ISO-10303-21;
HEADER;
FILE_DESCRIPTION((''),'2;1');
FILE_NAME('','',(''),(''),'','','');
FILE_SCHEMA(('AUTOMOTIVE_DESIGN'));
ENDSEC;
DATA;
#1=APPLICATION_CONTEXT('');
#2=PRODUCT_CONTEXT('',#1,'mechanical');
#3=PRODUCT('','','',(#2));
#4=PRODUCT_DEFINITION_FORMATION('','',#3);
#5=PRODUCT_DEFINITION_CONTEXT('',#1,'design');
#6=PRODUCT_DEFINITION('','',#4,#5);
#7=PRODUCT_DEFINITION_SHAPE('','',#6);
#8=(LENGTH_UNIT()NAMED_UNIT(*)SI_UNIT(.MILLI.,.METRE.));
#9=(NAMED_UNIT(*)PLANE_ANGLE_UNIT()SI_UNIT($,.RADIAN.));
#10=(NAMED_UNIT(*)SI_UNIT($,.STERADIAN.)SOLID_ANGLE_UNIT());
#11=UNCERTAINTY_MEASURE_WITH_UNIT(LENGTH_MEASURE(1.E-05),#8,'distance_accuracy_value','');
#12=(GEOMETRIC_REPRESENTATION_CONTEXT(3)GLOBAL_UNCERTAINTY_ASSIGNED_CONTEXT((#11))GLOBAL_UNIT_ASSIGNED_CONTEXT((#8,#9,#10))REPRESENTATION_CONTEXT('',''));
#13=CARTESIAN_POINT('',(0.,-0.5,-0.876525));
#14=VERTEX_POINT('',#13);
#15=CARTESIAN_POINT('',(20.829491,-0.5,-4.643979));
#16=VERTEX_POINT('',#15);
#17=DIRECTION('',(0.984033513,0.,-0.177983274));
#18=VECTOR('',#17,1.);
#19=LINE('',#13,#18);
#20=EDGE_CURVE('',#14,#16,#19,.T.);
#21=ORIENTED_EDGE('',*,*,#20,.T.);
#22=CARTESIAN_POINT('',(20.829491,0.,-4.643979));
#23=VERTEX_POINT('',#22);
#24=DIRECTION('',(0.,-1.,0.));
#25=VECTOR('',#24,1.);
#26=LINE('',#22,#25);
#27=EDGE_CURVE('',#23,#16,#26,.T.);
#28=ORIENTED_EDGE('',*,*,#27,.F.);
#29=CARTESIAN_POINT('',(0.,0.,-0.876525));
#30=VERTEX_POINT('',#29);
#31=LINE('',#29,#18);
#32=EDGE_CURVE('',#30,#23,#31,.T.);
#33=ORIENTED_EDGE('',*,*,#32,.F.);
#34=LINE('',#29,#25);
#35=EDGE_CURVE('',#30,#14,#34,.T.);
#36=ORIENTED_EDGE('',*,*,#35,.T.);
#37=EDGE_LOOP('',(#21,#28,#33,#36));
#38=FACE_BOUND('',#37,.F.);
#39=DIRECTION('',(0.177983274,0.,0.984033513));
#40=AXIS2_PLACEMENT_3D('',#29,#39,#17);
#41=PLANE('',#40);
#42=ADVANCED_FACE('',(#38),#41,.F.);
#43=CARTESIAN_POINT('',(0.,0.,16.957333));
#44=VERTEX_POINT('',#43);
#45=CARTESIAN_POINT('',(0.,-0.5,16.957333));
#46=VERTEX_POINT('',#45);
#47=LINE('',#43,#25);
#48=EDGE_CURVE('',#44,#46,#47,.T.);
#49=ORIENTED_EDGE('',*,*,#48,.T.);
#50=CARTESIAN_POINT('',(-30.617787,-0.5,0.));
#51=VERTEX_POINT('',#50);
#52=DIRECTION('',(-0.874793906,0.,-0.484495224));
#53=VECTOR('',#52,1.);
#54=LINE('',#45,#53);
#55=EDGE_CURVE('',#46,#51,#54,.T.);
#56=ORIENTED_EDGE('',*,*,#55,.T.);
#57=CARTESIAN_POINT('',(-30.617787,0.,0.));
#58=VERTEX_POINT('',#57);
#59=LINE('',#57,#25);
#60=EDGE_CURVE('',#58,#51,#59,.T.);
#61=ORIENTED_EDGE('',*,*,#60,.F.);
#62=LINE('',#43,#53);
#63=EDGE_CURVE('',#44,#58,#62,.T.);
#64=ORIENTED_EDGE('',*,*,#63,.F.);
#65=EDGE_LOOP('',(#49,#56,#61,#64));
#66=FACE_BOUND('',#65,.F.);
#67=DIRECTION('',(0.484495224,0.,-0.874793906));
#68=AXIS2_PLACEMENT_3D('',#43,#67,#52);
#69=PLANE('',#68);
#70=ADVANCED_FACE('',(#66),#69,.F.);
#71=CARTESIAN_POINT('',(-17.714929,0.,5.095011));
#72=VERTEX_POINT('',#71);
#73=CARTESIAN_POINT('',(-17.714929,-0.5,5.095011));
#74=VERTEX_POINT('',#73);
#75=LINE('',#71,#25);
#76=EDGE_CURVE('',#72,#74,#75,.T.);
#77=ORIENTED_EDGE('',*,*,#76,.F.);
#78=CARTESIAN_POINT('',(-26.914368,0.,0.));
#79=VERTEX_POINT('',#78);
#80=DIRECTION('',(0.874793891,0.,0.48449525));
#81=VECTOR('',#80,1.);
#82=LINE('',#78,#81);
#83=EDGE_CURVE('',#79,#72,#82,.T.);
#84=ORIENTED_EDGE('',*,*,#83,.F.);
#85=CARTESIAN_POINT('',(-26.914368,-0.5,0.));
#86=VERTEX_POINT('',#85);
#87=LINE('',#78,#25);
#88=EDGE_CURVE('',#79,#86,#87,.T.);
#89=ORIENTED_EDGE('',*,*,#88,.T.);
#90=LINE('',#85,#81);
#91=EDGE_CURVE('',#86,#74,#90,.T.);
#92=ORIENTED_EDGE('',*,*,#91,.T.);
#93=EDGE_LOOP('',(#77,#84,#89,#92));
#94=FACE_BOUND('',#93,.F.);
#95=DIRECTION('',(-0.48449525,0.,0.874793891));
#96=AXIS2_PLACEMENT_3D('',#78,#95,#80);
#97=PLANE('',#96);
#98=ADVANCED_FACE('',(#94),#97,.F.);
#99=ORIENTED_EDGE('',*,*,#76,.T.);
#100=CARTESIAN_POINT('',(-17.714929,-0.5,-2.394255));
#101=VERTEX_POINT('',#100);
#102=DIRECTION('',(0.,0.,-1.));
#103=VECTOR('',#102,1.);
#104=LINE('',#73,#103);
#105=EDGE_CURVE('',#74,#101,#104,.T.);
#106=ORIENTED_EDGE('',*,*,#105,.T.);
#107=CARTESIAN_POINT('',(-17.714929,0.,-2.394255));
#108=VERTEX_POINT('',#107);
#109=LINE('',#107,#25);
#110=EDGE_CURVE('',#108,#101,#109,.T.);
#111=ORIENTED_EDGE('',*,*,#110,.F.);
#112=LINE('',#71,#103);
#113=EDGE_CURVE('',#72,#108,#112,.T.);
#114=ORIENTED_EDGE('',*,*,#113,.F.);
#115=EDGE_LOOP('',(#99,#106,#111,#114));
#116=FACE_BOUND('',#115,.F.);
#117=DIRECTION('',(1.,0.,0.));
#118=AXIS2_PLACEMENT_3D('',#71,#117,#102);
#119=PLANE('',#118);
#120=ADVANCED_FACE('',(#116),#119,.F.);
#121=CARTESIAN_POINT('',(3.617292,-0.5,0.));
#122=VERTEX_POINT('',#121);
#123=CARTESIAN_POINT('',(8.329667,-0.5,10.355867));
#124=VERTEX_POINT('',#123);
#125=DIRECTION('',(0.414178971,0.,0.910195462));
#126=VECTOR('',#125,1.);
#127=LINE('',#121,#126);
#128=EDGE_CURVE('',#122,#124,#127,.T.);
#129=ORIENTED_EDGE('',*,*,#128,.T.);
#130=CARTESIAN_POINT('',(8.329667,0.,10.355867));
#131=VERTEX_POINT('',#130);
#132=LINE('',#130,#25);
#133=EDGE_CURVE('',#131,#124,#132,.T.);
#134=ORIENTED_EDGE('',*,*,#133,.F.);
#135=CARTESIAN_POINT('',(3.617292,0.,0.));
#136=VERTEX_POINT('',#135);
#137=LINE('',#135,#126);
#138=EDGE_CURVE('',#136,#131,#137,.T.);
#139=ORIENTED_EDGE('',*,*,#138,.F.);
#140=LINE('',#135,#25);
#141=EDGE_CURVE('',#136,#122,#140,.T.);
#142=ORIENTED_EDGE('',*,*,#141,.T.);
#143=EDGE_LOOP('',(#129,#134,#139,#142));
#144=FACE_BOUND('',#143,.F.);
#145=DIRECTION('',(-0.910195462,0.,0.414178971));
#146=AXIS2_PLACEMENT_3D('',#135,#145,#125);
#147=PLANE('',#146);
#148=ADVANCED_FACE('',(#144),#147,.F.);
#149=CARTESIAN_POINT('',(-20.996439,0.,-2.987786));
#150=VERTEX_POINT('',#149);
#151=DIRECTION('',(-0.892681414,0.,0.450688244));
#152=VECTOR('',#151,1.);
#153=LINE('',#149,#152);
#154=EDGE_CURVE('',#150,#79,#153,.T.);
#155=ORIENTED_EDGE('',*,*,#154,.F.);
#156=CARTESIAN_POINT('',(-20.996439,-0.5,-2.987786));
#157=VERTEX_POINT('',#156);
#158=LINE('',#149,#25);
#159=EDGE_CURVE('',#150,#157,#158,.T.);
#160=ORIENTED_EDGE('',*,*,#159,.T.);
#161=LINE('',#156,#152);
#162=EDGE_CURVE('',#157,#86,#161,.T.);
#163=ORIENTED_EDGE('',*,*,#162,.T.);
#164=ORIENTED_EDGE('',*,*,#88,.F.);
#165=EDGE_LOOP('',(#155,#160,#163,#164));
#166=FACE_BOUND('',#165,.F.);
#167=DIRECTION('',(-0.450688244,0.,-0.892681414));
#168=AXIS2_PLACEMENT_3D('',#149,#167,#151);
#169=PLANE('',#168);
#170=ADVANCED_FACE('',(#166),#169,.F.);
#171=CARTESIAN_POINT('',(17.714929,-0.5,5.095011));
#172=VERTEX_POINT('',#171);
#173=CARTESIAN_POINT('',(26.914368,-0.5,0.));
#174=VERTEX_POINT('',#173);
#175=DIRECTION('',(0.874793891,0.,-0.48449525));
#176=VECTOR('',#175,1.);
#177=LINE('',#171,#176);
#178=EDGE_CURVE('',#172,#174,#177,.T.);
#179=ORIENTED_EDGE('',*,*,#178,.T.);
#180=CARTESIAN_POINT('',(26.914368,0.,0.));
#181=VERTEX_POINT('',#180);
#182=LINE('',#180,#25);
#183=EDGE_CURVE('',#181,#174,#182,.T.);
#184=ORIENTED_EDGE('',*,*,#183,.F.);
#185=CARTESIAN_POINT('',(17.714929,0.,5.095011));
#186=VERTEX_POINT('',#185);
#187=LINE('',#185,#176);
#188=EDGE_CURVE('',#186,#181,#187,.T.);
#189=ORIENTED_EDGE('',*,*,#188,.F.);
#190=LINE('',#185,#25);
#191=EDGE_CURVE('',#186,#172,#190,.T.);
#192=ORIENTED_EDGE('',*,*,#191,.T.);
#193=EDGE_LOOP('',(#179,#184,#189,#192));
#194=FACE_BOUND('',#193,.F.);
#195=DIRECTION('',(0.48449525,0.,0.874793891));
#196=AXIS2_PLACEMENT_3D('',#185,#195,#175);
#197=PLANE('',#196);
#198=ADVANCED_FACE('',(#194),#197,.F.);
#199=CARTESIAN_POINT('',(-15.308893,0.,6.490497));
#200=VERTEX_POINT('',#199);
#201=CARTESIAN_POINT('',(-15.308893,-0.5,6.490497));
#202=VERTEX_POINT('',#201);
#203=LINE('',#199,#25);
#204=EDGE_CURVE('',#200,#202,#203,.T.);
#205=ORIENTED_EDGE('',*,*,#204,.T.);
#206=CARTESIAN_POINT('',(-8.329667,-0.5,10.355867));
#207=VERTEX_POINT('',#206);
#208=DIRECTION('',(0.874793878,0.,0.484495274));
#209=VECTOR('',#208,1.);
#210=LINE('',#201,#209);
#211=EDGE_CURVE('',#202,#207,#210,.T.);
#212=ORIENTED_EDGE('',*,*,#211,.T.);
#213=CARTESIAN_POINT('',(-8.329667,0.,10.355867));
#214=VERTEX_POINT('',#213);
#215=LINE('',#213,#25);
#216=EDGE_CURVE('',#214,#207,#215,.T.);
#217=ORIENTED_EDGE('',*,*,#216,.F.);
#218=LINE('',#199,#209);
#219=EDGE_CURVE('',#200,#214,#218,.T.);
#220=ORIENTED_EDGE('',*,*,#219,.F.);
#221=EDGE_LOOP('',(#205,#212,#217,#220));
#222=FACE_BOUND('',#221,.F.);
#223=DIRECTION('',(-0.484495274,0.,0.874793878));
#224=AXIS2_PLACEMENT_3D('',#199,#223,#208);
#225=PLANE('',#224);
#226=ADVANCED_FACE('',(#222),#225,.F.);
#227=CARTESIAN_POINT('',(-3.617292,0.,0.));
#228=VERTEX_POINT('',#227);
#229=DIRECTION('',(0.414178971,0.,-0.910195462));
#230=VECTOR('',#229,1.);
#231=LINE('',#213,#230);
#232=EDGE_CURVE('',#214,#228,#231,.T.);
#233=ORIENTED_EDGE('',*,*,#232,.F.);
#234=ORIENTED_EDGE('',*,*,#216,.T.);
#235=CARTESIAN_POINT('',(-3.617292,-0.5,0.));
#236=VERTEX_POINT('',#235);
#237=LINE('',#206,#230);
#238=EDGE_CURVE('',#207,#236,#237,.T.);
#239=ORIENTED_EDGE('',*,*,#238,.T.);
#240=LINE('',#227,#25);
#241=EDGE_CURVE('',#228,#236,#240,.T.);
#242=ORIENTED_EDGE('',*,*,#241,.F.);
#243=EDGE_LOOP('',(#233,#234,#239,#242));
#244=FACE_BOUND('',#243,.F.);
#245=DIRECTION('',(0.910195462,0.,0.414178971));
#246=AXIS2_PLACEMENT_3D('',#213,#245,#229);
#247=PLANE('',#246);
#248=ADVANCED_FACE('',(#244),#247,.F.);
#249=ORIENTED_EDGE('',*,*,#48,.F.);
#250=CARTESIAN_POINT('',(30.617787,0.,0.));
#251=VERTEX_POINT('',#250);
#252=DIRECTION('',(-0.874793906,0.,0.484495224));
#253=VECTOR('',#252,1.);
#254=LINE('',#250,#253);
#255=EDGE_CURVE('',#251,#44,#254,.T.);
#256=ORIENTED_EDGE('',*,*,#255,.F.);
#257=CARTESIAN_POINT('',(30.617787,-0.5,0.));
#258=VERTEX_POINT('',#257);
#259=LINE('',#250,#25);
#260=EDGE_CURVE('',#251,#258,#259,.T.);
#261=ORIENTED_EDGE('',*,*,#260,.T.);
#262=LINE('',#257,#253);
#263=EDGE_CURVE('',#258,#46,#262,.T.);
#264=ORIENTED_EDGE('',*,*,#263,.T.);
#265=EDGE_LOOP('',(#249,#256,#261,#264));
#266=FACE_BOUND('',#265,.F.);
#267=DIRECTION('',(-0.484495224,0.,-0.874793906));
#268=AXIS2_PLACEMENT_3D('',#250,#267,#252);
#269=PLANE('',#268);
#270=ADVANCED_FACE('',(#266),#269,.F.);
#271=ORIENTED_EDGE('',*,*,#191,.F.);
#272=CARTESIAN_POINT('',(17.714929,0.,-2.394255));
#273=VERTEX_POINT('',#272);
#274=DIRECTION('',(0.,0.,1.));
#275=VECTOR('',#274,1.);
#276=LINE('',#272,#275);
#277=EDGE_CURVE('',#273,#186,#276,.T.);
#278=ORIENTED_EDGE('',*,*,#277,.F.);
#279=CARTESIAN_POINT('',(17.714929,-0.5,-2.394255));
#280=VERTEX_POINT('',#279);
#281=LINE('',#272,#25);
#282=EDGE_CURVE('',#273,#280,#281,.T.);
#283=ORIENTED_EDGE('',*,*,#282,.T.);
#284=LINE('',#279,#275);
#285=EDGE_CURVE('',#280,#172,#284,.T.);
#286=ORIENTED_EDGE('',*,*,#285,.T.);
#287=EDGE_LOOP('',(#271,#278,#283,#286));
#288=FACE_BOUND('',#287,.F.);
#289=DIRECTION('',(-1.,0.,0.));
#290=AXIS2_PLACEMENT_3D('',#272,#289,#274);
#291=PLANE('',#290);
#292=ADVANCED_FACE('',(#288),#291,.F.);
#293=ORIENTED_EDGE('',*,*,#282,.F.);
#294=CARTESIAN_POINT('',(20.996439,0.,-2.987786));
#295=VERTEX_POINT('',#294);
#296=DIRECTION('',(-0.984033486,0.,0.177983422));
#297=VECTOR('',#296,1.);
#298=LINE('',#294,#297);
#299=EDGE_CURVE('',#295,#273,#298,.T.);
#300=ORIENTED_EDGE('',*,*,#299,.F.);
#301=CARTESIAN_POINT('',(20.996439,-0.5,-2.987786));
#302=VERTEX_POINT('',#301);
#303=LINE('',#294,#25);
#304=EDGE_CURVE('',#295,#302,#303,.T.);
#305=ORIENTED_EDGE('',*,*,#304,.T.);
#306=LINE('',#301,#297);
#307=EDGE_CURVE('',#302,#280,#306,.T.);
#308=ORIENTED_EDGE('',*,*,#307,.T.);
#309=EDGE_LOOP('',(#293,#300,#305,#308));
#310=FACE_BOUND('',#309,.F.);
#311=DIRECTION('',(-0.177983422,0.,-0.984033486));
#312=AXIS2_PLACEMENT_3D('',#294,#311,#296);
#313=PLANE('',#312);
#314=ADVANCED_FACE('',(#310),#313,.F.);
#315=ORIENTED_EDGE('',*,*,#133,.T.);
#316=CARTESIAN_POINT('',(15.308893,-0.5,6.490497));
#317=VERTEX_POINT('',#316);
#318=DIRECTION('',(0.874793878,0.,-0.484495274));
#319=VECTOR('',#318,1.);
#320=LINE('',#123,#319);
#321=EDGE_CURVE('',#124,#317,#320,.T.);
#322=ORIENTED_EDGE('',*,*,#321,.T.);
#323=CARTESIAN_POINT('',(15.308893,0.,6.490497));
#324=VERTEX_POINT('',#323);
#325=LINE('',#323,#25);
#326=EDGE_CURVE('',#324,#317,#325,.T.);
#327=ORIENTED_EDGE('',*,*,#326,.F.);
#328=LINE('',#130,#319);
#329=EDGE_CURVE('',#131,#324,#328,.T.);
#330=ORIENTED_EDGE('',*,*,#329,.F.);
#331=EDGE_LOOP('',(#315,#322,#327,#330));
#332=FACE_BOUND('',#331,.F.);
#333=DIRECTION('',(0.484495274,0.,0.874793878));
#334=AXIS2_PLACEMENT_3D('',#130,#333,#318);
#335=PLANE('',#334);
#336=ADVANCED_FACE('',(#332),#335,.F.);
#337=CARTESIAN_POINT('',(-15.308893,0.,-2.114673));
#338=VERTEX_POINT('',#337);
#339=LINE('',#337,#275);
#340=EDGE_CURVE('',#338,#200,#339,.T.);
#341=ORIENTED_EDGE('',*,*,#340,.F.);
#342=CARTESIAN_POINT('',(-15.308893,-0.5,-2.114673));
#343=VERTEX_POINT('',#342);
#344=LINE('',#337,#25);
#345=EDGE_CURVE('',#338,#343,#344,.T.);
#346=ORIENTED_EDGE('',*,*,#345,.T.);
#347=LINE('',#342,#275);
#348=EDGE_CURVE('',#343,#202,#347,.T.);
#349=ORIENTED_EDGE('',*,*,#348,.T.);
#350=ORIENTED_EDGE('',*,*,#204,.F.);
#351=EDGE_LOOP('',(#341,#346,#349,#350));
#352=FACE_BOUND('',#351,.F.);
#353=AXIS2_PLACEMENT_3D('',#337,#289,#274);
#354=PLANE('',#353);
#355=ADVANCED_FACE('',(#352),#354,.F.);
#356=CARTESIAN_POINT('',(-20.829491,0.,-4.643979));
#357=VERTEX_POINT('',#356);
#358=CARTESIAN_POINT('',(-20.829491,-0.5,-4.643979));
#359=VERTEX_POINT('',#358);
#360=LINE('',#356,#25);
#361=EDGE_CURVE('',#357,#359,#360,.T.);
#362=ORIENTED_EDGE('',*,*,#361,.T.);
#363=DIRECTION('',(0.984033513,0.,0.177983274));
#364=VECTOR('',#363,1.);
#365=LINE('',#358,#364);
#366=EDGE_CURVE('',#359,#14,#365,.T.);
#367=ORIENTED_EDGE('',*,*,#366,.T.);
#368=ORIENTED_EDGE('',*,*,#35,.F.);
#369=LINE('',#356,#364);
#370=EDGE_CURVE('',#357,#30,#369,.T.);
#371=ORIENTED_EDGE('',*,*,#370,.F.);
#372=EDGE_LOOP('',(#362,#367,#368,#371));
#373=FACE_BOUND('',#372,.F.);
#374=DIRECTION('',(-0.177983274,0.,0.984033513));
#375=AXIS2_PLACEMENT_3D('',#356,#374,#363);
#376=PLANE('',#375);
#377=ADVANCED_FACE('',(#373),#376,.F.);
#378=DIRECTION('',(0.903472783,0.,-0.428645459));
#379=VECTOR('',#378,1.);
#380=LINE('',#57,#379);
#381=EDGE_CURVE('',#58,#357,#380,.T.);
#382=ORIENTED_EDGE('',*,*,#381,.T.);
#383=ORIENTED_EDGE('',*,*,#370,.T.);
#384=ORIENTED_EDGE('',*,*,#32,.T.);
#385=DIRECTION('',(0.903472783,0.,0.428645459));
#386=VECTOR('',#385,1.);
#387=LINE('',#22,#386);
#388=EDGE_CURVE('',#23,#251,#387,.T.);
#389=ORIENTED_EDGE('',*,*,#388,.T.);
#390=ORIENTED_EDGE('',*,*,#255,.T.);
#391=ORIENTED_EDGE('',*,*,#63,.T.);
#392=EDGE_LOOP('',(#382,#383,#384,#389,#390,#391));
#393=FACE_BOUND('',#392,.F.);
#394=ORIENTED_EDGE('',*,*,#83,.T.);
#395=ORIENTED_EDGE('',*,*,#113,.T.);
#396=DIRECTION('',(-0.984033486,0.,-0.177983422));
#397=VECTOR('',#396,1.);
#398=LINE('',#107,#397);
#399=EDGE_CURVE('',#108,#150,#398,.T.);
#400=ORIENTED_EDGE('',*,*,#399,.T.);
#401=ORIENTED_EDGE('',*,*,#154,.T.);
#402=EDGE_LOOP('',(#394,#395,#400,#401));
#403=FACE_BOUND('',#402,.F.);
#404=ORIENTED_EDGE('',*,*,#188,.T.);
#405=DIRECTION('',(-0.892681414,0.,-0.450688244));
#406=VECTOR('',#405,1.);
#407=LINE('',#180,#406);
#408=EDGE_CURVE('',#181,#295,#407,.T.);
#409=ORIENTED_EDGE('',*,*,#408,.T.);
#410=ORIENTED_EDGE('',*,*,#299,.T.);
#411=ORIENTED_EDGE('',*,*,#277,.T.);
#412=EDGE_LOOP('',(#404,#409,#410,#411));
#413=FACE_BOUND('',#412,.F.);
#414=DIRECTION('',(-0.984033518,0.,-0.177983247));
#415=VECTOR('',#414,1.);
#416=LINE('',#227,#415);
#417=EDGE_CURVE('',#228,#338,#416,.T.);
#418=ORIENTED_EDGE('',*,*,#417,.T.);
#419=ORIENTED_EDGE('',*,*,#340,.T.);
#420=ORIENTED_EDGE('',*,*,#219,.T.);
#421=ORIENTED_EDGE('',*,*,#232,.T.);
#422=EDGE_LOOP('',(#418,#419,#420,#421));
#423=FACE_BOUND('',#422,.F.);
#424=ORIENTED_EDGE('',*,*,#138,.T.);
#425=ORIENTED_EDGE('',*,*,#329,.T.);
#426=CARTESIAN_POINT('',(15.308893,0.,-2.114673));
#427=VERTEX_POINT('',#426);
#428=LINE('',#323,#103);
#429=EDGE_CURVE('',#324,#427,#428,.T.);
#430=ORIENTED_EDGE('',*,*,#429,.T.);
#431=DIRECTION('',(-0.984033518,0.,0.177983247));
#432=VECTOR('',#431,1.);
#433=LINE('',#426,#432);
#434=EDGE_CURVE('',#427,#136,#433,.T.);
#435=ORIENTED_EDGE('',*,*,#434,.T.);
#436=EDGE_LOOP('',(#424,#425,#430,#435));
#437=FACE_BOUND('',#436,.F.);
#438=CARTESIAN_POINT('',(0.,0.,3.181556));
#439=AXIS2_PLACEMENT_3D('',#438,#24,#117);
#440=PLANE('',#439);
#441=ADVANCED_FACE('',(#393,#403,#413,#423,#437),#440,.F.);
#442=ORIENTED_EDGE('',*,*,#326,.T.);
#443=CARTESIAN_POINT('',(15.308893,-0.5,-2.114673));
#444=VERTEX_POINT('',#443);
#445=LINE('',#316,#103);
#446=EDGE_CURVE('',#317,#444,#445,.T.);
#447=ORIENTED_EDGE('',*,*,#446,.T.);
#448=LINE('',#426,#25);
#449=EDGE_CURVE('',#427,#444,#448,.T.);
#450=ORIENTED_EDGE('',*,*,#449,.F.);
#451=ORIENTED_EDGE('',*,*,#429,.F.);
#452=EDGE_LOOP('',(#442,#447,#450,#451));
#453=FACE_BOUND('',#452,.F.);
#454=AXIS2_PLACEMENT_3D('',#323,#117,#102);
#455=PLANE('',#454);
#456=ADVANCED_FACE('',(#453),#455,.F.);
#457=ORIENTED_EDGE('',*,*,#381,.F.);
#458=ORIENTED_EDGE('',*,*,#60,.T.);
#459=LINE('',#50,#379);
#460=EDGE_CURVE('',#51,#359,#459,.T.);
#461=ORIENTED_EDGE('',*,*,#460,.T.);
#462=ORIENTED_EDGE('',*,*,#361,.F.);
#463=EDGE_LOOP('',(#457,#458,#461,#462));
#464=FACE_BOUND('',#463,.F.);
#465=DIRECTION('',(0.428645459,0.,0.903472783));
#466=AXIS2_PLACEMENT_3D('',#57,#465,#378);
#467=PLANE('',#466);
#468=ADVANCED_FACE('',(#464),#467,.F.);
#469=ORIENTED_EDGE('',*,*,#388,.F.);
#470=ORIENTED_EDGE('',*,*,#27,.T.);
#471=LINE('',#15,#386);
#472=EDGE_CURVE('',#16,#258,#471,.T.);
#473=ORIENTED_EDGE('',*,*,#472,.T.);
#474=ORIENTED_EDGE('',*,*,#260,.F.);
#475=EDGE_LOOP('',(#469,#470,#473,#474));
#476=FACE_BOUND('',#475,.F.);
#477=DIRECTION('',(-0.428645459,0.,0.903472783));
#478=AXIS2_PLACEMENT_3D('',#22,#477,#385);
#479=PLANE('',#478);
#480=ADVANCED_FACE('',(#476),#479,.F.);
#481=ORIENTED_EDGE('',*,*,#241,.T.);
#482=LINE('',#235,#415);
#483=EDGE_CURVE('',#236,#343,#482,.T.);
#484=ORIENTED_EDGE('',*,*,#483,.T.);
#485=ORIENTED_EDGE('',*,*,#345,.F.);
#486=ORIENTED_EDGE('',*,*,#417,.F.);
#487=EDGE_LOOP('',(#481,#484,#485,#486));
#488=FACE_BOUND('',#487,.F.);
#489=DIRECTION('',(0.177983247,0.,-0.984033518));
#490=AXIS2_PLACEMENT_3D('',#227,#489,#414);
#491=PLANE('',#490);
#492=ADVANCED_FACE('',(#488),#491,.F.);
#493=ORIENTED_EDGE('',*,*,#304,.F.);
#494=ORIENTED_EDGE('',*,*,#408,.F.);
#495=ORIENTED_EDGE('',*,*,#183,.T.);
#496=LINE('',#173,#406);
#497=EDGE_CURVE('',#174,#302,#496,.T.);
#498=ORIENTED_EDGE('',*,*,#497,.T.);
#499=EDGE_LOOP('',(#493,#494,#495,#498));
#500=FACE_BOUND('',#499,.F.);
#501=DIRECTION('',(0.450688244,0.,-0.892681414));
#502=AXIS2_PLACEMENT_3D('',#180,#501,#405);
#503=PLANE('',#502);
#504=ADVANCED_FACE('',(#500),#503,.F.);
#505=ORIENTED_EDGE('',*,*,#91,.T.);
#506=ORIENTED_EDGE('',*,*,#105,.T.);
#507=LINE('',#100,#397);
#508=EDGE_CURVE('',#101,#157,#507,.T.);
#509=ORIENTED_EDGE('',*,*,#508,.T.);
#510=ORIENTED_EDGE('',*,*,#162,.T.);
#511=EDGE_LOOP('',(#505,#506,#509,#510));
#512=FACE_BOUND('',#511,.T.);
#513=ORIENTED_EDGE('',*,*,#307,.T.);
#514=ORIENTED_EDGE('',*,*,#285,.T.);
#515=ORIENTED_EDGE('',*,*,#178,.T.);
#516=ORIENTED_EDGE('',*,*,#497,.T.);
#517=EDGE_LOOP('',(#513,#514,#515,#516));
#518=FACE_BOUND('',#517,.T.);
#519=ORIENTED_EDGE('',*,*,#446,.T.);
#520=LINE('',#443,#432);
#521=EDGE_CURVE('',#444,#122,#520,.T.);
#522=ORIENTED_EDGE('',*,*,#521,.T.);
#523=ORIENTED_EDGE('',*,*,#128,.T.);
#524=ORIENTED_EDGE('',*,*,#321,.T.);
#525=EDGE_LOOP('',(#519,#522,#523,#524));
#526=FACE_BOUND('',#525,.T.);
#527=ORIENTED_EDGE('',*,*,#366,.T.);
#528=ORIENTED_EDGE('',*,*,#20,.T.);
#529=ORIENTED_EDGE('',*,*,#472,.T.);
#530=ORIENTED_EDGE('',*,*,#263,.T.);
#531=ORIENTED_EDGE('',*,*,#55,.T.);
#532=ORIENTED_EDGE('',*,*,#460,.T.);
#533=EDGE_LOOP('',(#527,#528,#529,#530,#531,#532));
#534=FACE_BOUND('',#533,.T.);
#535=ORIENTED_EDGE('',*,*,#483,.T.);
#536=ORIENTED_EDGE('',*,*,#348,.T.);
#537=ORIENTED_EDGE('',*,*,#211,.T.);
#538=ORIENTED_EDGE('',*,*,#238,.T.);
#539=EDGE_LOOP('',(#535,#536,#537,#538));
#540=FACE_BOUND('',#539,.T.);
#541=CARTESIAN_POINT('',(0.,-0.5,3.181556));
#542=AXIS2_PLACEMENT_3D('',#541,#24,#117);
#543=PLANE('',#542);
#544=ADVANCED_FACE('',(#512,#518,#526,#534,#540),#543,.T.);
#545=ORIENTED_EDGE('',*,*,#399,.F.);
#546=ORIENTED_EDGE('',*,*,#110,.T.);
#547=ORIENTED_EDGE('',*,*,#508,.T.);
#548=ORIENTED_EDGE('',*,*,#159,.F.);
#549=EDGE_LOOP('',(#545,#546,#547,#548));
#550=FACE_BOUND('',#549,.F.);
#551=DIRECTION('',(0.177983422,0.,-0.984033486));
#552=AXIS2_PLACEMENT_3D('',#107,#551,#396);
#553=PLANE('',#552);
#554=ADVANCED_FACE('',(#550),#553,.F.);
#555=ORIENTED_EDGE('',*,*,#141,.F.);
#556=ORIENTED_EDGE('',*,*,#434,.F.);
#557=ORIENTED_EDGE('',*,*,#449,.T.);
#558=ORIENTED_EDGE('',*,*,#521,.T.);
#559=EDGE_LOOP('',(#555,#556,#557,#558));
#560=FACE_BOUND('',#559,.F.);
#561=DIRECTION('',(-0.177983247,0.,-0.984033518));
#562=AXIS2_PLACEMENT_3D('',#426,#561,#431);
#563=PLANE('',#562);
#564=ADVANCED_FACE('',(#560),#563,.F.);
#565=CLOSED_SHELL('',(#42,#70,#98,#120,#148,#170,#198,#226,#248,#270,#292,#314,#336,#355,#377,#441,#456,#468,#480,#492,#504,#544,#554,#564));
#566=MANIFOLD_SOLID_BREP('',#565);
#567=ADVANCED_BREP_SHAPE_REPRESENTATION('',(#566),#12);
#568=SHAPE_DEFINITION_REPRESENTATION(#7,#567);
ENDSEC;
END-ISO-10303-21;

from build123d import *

# Parameters (mm, degrees)
F1_DEPTH = 0.5


with BuildPart() as f1:
    # F0 (on Front) → F1 (new body)
    with BuildSketch(Plane.XZ):
        Polygon((30.617787, 0), (0, 16.957333), (-30.617787, 0), (-20.829491, -4.643979), (0, -0.876525), (20.829491, -4.643979), align=None)
        Polygon((-17.714929, -2.394255), (-20.996439, -2.987786), (-26.914368, 0), (-17.714929, 5.095011), align=None, mode=Mode.SUBTRACT)
        Polygon((-8.329667, 10.355867), (-3.617292, 0), (-15.308893, -2.114673), (-15.308893, 6.490497), align=None, mode=Mode.SUBTRACT)
        Polygon((15.308893, -2.114673), (3.617292, 0), (8.329667, 10.355867), (15.308893, 6.490497), align=None, mode=Mode.SUBTRACT)
        Polygon((20.996439, -2.987786), (17.714929, -2.394255), (17.714929, 5.095011), (26.914368, 0), align=None, mode=Mode.SUBTRACT)
    extrude(amount=F1_DEPTH)


solid = f1.part
